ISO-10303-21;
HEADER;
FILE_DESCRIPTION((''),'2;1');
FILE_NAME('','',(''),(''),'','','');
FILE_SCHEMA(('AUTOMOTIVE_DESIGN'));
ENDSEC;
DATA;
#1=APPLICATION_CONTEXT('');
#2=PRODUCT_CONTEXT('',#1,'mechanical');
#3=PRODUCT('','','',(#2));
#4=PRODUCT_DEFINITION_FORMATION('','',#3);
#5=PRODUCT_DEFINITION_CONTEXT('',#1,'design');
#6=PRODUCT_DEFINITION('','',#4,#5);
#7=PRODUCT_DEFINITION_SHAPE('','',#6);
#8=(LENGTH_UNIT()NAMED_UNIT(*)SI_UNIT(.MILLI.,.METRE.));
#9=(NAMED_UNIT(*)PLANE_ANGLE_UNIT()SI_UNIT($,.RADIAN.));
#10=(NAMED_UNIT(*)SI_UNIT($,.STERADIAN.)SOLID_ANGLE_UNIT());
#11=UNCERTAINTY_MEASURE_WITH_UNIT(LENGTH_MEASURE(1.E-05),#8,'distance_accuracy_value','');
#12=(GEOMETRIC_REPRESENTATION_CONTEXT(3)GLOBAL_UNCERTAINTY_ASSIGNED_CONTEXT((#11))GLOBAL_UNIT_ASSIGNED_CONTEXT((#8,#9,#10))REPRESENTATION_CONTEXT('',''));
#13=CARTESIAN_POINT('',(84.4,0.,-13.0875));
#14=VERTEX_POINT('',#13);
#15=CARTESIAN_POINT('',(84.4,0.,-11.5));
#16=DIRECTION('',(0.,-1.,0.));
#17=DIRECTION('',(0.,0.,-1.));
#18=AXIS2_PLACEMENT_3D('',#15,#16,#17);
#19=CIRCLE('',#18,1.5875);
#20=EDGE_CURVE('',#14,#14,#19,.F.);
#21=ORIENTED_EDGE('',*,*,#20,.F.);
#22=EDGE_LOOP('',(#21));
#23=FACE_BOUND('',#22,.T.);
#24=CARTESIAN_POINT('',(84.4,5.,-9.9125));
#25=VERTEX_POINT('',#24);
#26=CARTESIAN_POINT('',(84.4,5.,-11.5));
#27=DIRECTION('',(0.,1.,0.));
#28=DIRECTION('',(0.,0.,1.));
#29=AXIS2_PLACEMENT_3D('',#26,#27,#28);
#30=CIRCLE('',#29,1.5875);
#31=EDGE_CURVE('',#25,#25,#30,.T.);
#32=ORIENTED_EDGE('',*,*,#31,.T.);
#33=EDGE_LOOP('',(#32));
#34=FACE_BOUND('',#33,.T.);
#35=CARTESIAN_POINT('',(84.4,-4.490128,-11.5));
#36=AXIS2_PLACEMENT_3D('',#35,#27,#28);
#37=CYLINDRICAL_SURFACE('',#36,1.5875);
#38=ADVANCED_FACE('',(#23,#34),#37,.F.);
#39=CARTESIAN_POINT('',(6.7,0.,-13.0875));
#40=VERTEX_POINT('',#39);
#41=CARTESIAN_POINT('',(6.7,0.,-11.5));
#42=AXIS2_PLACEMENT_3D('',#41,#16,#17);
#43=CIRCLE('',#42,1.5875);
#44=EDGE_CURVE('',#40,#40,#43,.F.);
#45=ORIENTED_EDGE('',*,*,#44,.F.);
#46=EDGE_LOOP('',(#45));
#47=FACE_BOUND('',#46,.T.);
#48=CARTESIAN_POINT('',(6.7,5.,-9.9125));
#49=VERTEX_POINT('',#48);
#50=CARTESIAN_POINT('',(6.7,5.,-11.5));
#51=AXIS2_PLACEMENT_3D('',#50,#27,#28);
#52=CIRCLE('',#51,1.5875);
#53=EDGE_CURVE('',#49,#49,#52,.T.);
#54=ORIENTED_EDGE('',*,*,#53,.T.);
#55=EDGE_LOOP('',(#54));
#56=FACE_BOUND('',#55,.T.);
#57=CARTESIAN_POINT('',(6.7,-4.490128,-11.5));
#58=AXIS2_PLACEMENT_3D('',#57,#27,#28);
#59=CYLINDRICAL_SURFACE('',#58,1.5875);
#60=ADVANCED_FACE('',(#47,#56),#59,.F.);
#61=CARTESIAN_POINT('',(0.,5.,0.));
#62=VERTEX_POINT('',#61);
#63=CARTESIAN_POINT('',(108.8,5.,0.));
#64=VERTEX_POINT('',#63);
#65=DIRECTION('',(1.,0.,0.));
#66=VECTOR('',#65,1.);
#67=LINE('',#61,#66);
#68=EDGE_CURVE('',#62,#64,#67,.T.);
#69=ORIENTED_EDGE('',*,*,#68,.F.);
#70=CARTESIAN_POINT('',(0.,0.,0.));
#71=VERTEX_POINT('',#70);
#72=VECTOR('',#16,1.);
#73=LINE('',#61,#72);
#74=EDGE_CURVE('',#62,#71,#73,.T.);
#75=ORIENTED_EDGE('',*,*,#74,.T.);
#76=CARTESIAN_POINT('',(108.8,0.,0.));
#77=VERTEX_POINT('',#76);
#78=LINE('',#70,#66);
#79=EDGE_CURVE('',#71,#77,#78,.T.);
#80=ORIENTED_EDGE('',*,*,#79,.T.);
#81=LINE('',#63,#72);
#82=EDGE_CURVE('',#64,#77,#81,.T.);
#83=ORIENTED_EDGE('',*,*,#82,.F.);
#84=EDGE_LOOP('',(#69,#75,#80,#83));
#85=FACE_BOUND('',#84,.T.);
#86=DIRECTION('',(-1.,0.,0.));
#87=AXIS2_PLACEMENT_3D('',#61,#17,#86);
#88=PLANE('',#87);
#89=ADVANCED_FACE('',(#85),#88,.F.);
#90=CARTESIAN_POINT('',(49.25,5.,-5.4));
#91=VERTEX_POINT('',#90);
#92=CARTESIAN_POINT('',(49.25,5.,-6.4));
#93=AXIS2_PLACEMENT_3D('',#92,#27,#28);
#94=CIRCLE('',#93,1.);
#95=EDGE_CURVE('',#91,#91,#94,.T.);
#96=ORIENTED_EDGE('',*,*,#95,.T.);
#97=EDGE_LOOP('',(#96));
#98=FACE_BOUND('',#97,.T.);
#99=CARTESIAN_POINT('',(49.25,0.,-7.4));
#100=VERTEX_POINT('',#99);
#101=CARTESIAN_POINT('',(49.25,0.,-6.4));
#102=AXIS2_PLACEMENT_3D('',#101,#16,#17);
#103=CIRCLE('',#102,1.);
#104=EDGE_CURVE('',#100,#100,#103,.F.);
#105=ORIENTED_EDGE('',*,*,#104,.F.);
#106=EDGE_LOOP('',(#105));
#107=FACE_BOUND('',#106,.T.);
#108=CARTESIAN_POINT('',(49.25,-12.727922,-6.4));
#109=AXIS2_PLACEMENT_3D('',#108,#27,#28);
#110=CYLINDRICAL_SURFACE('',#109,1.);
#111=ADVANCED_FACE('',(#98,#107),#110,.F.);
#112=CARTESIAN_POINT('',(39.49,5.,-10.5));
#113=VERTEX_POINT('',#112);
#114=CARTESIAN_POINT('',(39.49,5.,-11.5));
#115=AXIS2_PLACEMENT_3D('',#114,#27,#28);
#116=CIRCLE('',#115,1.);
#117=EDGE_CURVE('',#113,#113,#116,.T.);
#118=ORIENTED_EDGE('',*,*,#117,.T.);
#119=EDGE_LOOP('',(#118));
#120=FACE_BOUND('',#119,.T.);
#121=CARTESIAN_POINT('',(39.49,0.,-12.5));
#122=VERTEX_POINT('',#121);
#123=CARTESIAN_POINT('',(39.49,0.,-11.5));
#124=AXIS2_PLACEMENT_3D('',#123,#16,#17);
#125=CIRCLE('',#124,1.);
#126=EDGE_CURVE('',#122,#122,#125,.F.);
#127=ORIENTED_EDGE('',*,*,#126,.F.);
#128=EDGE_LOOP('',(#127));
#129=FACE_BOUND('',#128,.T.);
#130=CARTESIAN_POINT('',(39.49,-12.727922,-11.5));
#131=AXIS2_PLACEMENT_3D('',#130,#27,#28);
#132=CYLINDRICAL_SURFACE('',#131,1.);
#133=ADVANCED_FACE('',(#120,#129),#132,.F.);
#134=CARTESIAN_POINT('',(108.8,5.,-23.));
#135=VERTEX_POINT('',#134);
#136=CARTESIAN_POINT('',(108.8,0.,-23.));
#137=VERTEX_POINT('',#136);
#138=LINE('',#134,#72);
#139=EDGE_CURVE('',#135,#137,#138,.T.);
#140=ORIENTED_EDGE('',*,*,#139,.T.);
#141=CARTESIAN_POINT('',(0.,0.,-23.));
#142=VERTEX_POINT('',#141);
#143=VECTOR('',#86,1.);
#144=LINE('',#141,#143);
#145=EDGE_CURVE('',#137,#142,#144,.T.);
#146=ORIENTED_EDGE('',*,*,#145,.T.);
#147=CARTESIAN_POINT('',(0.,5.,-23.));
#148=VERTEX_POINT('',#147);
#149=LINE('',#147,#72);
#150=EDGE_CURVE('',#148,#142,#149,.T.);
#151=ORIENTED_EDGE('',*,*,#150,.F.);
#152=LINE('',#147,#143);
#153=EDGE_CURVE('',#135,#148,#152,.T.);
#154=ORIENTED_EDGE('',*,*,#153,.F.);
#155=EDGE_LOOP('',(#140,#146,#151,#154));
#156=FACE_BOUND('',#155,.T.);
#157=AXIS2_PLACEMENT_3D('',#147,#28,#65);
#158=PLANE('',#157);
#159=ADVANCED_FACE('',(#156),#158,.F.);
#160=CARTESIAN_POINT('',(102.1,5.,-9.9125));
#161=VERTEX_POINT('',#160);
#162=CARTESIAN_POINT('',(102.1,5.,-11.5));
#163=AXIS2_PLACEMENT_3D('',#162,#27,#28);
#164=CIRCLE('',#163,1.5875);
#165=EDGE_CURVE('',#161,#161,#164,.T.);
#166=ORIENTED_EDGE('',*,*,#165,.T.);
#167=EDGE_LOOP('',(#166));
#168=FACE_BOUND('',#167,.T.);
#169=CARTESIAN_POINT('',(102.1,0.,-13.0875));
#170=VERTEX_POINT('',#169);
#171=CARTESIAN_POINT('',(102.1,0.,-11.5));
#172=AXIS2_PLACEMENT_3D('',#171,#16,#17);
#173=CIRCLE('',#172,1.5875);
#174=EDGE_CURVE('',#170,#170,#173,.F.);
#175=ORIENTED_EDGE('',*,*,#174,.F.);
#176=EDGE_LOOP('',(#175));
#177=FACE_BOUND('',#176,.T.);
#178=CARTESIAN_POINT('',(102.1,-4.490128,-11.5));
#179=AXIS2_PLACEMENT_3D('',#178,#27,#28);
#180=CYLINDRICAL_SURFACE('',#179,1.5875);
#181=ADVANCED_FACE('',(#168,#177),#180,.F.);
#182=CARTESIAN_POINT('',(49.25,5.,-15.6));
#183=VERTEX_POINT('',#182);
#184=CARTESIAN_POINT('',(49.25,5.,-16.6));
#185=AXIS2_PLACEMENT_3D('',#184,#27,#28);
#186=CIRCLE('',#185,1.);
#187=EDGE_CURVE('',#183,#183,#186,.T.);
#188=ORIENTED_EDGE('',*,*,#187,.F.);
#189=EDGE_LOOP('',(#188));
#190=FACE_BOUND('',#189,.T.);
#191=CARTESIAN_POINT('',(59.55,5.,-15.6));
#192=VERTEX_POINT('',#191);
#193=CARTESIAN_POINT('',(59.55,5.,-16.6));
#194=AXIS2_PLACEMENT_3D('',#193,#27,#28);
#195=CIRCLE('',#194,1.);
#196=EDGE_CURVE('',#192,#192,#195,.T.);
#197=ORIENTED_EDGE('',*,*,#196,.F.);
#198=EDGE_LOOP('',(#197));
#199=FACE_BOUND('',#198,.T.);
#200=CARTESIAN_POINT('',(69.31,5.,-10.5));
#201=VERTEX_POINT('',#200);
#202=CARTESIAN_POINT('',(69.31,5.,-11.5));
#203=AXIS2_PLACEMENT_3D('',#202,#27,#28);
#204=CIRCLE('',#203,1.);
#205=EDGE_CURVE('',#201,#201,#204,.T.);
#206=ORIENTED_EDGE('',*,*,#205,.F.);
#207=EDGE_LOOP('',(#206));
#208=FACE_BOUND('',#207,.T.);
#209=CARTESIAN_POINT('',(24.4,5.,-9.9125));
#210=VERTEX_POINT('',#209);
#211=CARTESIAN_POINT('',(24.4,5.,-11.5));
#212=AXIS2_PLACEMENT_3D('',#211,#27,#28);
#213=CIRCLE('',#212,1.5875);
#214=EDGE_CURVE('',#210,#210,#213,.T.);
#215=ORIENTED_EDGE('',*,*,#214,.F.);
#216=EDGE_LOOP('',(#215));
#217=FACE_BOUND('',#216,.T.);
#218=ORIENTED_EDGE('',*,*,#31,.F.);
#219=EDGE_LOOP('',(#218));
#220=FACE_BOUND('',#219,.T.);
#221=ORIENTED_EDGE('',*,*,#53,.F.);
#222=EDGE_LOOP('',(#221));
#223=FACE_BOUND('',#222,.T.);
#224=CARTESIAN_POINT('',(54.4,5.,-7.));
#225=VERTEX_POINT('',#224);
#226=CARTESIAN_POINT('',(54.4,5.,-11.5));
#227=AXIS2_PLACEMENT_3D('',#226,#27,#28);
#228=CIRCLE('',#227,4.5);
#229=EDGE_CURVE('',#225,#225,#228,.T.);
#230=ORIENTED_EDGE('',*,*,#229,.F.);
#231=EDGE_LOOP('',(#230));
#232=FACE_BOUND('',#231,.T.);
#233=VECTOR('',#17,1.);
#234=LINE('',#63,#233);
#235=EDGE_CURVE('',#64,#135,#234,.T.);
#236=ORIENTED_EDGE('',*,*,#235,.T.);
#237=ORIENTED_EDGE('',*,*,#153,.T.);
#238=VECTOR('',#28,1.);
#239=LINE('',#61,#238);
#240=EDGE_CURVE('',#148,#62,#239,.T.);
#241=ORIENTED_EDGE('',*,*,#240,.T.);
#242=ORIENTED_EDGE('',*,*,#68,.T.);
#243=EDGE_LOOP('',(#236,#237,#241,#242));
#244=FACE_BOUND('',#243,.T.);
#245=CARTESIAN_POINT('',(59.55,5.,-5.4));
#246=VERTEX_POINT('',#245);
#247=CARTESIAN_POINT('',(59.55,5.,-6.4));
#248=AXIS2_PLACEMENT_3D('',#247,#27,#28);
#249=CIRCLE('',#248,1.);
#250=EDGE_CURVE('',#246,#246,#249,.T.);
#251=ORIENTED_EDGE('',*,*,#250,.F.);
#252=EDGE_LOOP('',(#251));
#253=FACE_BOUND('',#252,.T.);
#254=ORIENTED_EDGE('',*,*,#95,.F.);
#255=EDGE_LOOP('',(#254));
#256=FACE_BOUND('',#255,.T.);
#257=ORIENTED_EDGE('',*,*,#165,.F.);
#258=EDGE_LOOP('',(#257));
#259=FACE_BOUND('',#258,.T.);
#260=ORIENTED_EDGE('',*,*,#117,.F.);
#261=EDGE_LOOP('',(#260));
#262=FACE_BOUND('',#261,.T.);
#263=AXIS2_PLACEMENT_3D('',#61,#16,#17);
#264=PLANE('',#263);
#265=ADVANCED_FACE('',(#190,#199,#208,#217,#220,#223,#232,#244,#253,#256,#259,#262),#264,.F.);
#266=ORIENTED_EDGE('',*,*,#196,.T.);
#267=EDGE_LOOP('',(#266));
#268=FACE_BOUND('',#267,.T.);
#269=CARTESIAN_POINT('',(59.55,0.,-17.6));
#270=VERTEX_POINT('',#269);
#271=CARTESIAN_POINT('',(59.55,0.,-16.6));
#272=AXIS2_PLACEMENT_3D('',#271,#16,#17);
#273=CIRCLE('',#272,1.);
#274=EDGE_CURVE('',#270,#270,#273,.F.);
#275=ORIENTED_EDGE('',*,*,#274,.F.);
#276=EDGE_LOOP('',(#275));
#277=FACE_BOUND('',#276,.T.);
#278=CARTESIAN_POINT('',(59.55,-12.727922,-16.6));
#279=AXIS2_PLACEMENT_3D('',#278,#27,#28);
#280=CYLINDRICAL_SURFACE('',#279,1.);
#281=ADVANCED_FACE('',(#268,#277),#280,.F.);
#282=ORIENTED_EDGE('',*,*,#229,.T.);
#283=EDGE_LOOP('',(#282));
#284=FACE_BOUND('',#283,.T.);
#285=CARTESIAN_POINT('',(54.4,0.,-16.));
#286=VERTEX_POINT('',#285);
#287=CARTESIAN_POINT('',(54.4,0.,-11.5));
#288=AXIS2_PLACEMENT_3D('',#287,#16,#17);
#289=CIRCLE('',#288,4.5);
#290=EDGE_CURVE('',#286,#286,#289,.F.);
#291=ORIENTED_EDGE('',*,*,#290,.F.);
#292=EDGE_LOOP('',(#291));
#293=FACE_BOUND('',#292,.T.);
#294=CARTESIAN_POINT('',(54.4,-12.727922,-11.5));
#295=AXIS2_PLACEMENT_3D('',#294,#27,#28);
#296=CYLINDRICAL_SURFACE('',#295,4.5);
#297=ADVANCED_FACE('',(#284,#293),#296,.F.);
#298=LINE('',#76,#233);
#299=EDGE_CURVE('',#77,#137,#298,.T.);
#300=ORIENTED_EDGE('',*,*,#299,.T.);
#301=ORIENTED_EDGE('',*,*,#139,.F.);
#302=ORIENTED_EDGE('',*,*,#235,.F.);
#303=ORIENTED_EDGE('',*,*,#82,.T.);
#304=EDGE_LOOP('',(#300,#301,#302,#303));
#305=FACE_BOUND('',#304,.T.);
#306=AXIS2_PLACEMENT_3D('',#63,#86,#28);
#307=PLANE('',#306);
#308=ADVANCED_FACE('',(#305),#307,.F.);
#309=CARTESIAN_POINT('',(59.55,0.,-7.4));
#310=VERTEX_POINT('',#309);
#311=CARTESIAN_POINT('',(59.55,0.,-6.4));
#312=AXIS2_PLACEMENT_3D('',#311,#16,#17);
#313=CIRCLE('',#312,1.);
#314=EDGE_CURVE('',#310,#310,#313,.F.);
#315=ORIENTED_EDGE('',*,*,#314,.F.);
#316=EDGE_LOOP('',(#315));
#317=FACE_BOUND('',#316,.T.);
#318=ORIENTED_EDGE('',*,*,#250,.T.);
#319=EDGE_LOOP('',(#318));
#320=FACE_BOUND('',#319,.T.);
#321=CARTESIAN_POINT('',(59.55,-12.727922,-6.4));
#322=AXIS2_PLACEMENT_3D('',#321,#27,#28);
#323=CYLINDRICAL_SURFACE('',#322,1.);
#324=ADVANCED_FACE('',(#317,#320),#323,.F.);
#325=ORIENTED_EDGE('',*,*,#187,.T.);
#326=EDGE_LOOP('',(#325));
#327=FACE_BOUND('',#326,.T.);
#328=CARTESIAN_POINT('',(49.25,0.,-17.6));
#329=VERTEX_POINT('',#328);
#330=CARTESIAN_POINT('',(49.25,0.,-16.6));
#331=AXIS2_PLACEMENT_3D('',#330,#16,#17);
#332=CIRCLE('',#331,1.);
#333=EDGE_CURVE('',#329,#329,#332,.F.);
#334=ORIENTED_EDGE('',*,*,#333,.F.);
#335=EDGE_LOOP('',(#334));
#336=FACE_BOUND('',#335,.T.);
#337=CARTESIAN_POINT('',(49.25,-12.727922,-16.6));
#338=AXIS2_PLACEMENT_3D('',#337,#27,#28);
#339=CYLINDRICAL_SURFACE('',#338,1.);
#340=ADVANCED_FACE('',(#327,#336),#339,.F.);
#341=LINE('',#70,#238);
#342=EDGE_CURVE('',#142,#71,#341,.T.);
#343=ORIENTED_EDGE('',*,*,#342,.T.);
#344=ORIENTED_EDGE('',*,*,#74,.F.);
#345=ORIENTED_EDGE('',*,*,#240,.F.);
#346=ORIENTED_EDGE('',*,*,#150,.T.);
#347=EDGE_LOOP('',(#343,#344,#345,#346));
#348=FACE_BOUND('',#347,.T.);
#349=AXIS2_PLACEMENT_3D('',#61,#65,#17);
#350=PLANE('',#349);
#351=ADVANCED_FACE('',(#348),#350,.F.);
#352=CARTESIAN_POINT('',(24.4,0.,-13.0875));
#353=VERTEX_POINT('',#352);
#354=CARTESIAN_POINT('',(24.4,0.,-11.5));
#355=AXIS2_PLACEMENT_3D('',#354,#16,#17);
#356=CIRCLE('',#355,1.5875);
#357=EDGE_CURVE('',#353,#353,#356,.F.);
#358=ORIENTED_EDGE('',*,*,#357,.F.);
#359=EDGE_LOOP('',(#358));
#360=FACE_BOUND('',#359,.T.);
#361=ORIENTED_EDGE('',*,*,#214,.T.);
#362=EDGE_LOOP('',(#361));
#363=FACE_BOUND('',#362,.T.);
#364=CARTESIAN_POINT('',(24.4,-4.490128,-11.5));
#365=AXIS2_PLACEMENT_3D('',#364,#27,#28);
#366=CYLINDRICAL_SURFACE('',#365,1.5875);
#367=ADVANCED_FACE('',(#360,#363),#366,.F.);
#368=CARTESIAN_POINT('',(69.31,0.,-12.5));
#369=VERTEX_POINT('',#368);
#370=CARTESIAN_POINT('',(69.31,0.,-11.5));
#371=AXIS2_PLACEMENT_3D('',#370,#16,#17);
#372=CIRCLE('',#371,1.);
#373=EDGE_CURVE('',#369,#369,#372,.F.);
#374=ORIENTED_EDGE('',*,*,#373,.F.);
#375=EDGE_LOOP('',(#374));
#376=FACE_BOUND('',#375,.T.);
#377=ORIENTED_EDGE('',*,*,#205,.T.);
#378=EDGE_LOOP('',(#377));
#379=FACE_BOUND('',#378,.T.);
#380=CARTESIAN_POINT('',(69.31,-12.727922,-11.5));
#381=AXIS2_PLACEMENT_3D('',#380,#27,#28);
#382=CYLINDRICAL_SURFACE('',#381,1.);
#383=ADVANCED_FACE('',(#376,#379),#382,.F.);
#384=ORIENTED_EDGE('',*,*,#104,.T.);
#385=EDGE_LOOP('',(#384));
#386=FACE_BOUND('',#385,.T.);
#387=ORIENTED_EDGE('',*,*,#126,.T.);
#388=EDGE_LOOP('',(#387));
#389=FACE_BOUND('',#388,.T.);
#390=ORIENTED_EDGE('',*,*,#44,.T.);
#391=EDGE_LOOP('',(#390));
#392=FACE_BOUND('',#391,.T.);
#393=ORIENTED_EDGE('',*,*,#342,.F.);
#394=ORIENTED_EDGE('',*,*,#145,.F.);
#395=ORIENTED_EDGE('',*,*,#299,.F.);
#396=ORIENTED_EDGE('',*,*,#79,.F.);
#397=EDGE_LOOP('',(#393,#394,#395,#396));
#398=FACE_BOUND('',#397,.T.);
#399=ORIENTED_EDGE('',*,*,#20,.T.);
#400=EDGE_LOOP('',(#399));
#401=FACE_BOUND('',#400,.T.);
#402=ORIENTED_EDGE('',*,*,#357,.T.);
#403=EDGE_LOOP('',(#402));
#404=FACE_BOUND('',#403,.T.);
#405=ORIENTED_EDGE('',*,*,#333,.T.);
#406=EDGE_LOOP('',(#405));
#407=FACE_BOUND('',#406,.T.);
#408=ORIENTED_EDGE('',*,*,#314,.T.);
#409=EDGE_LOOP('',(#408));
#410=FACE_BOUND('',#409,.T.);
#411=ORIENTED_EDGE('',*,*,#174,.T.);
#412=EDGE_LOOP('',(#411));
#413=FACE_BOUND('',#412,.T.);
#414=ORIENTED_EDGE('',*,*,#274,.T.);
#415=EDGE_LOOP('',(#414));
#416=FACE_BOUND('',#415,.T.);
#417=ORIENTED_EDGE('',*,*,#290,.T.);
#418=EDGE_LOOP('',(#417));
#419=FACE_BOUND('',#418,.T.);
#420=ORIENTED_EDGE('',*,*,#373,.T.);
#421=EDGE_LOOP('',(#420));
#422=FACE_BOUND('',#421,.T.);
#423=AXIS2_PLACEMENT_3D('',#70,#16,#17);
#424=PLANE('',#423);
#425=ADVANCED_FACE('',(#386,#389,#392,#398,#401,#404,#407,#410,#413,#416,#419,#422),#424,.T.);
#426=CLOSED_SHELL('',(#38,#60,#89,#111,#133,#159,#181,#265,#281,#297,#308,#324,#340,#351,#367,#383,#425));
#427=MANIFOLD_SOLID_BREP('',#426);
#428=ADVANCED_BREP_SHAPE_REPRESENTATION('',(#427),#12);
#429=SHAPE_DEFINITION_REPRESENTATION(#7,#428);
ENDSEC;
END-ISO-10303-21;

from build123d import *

# Parameters (mm, degrees)
SKETCH1_W                 = 108.8
SKETCH1_H                 = 23
MOUNT_BASE_DEPTH          = 5
SKETCH2_R                 = 1
SKETCH2_R_2               = 4.5
BRACKET_SCREW_HOLES_DEPTH = 5
SKETCH3_R                 = 1.5875
ANTENNA_SCREW_HOLES_DEPTH = 5


with BuildPart() as part:
    # Sketch1 → Mount Base (new body)
    with BuildSketch(Plane(origin=(0, 0, 0), x_dir=(1, 0, 0), z_dir=(0, 1, 0))):
        with Locations((54.4, 11.5)):
            Rectangle(SKETCH1_W, SKETCH1_H)
    extrude(amount=MOUNT_BASE_DEPTH)

    # Sketch2 → Bracket Screw Holes (cut)
    with BuildSketch(Plane(origin=(0, 5, 0), x_dir=(1, 0, 0), z_dir=(0, 1, 0))):
        with Locations(Location((59.55, 16.6, 0), (0, 0, 270))):
            Circle(SKETCH2_R)
        with Locations(Location((59.55, 6.4, 0), (0, 0, 270))):
            Circle(SKETCH2_R)
        with Locations(Location((49.25, 6.4, 0), (0, 0, 270))):
            Circle(SKETCH2_R)
        with Locations(Location((49.25, 16.6, 0), (0, 0, 270))):
            Circle(SKETCH2_R)
        with Locations(Location((69.31, 11.5, 0), (0, 0, 270))):
            Circle(SKETCH2_R)
        with Locations(Location((39.49, 11.5, 0), (0, 0, 270))):
            Circle(SKETCH2_R)
        with Locations(Location((54.4, 11.5, 0), (0, 0, 270))):
            Circle(SKETCH2_R_2)
    extrude(amount=-BRACKET_SCREW_HOLES_DEPTH, mode=Mode.SUBTRACT)

    # Sketch3 → Antenna Screw Holes (cut)
    with BuildSketch(Plane(origin=(0, 5, 0), x_dir=(1, 0, 0), z_dir=(0, 1, 0))):
        with Locations(Location((6.7, 11.5, 0), (0, 0, 270))):
            Circle(SKETCH3_R)
        with Locations(Location((24.4, 11.5, 0), (0, 0, 270))):
            Circle(SKETCH3_R)
        with Locations(Location((84.4, 11.5, 0), (0, 0, 270))):
            Circle(SKETCH3_R)
        with Locations(Location((102.1, 11.5, 0), (0, 0, 270))):
            Circle(SKETCH3_R)
    extrude(amount=-ANTENNA_SCREW_HOLES_DEPTH, mode=Mode.SUBTRACT)


solid = part.part
